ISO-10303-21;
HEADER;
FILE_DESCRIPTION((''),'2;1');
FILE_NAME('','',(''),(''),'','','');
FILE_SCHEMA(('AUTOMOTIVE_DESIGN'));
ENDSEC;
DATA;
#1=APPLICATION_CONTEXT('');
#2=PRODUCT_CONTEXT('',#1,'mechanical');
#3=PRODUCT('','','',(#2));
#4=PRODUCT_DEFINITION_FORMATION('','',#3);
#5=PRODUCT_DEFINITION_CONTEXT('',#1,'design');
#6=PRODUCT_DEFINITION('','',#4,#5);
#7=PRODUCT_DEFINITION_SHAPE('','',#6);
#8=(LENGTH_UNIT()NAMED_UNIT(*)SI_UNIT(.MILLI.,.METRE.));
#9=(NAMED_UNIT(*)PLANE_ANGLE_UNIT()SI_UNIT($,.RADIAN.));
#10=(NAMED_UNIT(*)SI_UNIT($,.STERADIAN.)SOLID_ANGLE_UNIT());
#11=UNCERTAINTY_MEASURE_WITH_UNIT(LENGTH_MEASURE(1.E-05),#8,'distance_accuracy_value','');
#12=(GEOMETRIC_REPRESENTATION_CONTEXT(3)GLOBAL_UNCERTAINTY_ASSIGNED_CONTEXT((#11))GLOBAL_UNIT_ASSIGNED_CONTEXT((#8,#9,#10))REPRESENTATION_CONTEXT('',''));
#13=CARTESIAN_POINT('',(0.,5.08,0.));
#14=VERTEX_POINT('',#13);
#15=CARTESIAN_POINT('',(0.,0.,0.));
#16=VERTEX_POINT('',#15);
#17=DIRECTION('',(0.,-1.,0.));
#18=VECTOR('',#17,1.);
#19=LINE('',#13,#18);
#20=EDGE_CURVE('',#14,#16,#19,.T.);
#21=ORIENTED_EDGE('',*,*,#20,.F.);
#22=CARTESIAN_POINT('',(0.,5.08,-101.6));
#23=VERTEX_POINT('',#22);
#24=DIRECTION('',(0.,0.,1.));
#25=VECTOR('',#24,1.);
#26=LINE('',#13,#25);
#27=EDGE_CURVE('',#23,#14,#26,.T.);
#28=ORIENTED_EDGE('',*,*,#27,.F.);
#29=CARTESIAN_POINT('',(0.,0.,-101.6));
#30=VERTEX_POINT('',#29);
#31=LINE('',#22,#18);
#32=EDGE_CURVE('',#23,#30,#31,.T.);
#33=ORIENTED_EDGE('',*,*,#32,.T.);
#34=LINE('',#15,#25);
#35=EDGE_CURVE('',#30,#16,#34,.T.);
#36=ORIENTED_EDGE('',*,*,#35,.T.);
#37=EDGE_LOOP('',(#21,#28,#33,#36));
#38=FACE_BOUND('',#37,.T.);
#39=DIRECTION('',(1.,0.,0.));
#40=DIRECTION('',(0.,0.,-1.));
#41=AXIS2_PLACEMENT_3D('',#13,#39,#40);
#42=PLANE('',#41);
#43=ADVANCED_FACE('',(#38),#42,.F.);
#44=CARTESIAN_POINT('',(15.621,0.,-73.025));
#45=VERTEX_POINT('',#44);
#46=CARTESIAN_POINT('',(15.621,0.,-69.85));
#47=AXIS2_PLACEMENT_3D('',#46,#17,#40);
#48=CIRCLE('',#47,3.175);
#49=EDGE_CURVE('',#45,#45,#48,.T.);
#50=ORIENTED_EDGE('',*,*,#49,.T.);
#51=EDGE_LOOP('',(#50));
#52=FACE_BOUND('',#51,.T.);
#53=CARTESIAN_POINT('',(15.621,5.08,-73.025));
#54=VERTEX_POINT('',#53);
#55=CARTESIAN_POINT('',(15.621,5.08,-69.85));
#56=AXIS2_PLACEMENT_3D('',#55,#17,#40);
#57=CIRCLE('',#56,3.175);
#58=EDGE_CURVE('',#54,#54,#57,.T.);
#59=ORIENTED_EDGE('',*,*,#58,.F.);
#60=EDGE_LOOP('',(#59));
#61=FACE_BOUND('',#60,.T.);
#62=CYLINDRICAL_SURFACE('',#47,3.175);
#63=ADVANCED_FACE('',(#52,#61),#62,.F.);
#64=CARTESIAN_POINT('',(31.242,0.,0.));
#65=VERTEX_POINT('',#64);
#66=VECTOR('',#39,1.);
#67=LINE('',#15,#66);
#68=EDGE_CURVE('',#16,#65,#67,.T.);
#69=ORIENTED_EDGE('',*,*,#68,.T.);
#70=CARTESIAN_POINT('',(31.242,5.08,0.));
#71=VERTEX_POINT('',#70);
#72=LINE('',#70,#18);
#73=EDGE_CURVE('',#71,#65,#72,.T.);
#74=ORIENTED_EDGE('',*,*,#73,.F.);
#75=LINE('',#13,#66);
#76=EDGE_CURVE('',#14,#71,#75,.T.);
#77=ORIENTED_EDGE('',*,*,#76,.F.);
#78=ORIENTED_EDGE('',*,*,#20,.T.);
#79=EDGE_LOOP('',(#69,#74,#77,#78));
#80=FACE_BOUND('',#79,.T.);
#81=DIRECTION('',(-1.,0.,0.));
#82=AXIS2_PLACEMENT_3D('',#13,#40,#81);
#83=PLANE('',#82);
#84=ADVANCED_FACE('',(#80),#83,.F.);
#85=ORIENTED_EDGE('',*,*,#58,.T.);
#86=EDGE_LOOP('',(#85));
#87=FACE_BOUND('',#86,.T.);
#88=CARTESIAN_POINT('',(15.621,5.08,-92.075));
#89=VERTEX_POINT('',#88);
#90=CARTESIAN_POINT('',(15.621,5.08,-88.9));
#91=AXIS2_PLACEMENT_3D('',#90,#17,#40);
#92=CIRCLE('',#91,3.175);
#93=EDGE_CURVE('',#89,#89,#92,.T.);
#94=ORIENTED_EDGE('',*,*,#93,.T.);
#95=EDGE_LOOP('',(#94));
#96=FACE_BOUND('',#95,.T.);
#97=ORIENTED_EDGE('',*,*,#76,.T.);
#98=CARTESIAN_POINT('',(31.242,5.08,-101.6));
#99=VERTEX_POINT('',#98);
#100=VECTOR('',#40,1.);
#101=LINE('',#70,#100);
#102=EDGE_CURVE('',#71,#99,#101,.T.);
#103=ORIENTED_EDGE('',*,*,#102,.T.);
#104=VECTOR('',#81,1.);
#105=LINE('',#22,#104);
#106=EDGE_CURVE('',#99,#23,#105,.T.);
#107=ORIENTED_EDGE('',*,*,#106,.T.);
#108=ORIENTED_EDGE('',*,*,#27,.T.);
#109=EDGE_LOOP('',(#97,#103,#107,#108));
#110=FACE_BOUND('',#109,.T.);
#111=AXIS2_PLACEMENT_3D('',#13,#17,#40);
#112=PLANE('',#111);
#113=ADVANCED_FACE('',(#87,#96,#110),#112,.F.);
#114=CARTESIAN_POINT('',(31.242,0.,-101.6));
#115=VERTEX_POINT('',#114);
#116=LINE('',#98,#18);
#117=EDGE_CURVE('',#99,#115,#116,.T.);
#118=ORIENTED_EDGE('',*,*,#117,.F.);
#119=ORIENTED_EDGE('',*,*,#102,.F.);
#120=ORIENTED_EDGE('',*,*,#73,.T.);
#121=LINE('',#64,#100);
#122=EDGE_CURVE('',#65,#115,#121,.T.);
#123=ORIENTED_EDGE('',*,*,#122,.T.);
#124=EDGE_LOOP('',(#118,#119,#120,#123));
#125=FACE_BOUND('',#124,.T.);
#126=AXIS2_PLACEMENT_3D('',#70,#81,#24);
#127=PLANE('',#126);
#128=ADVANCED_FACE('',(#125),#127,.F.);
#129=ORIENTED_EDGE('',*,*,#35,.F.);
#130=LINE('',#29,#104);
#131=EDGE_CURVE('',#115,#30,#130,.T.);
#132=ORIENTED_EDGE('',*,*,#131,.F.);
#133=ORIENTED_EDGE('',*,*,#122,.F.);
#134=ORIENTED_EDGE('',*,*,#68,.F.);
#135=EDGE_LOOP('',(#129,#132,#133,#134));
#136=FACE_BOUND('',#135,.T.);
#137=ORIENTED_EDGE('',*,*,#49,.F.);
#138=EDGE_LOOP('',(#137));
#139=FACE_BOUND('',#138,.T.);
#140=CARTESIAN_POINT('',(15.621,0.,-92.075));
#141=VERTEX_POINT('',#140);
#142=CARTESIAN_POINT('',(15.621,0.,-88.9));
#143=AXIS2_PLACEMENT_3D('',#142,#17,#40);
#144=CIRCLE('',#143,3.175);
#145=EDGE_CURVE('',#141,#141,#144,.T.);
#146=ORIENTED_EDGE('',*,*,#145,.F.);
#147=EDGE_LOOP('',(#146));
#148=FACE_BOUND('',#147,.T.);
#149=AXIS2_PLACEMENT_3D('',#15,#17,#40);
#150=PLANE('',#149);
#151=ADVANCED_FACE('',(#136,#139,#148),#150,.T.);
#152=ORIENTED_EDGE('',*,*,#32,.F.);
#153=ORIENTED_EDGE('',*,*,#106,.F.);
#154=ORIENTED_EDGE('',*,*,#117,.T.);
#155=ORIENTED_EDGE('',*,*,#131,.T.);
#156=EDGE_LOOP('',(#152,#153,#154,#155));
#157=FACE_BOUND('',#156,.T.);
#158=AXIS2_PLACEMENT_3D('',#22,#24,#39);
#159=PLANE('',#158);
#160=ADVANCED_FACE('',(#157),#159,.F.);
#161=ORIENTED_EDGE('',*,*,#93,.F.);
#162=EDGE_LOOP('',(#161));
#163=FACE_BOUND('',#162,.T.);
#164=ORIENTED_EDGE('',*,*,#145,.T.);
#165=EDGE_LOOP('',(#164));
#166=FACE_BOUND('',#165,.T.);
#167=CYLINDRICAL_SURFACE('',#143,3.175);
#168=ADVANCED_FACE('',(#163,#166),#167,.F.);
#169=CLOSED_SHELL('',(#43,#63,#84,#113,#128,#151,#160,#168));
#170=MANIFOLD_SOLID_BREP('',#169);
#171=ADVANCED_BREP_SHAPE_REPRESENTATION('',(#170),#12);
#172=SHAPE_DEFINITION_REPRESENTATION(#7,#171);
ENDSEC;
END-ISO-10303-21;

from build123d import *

# Parameters (mm, degrees)
SKETCH1_W                   = 31.242
SKETCH1_H                   = 101.6
BOSS_EXTRUDE1_DEPTH         = 5.08
F_1_4_0_25_DIAMETER_HOLE1_D = 6.35


with BuildPart() as part:
    # Sketch1 → Boss-Extrude1 (new body)
    with BuildSketch(Plane(origin=(0, 0, 0), x_dir=(1, 0, 0), z_dir=(0, 1, 0))):
        with Locations((15.621, 50.8)):
            Rectangle(SKETCH1_W, SKETCH1_H)
    extrude(amount=BOSS_EXTRUDE1_DEPTH)

    # 1/4 (0.25) Diameter Hole1 (through all)
    with Locations(Plane(origin=(0, 0, 0), x_dir=(-1, 0, 0), z_dir=(0, -1, 0))):
        with Locations((-15.621, 69.85), (-15.621, 88.9)):
            Hole(F_1_4_0_25_DIAMETER_HOLE1_D / 2)


solid = part.part
